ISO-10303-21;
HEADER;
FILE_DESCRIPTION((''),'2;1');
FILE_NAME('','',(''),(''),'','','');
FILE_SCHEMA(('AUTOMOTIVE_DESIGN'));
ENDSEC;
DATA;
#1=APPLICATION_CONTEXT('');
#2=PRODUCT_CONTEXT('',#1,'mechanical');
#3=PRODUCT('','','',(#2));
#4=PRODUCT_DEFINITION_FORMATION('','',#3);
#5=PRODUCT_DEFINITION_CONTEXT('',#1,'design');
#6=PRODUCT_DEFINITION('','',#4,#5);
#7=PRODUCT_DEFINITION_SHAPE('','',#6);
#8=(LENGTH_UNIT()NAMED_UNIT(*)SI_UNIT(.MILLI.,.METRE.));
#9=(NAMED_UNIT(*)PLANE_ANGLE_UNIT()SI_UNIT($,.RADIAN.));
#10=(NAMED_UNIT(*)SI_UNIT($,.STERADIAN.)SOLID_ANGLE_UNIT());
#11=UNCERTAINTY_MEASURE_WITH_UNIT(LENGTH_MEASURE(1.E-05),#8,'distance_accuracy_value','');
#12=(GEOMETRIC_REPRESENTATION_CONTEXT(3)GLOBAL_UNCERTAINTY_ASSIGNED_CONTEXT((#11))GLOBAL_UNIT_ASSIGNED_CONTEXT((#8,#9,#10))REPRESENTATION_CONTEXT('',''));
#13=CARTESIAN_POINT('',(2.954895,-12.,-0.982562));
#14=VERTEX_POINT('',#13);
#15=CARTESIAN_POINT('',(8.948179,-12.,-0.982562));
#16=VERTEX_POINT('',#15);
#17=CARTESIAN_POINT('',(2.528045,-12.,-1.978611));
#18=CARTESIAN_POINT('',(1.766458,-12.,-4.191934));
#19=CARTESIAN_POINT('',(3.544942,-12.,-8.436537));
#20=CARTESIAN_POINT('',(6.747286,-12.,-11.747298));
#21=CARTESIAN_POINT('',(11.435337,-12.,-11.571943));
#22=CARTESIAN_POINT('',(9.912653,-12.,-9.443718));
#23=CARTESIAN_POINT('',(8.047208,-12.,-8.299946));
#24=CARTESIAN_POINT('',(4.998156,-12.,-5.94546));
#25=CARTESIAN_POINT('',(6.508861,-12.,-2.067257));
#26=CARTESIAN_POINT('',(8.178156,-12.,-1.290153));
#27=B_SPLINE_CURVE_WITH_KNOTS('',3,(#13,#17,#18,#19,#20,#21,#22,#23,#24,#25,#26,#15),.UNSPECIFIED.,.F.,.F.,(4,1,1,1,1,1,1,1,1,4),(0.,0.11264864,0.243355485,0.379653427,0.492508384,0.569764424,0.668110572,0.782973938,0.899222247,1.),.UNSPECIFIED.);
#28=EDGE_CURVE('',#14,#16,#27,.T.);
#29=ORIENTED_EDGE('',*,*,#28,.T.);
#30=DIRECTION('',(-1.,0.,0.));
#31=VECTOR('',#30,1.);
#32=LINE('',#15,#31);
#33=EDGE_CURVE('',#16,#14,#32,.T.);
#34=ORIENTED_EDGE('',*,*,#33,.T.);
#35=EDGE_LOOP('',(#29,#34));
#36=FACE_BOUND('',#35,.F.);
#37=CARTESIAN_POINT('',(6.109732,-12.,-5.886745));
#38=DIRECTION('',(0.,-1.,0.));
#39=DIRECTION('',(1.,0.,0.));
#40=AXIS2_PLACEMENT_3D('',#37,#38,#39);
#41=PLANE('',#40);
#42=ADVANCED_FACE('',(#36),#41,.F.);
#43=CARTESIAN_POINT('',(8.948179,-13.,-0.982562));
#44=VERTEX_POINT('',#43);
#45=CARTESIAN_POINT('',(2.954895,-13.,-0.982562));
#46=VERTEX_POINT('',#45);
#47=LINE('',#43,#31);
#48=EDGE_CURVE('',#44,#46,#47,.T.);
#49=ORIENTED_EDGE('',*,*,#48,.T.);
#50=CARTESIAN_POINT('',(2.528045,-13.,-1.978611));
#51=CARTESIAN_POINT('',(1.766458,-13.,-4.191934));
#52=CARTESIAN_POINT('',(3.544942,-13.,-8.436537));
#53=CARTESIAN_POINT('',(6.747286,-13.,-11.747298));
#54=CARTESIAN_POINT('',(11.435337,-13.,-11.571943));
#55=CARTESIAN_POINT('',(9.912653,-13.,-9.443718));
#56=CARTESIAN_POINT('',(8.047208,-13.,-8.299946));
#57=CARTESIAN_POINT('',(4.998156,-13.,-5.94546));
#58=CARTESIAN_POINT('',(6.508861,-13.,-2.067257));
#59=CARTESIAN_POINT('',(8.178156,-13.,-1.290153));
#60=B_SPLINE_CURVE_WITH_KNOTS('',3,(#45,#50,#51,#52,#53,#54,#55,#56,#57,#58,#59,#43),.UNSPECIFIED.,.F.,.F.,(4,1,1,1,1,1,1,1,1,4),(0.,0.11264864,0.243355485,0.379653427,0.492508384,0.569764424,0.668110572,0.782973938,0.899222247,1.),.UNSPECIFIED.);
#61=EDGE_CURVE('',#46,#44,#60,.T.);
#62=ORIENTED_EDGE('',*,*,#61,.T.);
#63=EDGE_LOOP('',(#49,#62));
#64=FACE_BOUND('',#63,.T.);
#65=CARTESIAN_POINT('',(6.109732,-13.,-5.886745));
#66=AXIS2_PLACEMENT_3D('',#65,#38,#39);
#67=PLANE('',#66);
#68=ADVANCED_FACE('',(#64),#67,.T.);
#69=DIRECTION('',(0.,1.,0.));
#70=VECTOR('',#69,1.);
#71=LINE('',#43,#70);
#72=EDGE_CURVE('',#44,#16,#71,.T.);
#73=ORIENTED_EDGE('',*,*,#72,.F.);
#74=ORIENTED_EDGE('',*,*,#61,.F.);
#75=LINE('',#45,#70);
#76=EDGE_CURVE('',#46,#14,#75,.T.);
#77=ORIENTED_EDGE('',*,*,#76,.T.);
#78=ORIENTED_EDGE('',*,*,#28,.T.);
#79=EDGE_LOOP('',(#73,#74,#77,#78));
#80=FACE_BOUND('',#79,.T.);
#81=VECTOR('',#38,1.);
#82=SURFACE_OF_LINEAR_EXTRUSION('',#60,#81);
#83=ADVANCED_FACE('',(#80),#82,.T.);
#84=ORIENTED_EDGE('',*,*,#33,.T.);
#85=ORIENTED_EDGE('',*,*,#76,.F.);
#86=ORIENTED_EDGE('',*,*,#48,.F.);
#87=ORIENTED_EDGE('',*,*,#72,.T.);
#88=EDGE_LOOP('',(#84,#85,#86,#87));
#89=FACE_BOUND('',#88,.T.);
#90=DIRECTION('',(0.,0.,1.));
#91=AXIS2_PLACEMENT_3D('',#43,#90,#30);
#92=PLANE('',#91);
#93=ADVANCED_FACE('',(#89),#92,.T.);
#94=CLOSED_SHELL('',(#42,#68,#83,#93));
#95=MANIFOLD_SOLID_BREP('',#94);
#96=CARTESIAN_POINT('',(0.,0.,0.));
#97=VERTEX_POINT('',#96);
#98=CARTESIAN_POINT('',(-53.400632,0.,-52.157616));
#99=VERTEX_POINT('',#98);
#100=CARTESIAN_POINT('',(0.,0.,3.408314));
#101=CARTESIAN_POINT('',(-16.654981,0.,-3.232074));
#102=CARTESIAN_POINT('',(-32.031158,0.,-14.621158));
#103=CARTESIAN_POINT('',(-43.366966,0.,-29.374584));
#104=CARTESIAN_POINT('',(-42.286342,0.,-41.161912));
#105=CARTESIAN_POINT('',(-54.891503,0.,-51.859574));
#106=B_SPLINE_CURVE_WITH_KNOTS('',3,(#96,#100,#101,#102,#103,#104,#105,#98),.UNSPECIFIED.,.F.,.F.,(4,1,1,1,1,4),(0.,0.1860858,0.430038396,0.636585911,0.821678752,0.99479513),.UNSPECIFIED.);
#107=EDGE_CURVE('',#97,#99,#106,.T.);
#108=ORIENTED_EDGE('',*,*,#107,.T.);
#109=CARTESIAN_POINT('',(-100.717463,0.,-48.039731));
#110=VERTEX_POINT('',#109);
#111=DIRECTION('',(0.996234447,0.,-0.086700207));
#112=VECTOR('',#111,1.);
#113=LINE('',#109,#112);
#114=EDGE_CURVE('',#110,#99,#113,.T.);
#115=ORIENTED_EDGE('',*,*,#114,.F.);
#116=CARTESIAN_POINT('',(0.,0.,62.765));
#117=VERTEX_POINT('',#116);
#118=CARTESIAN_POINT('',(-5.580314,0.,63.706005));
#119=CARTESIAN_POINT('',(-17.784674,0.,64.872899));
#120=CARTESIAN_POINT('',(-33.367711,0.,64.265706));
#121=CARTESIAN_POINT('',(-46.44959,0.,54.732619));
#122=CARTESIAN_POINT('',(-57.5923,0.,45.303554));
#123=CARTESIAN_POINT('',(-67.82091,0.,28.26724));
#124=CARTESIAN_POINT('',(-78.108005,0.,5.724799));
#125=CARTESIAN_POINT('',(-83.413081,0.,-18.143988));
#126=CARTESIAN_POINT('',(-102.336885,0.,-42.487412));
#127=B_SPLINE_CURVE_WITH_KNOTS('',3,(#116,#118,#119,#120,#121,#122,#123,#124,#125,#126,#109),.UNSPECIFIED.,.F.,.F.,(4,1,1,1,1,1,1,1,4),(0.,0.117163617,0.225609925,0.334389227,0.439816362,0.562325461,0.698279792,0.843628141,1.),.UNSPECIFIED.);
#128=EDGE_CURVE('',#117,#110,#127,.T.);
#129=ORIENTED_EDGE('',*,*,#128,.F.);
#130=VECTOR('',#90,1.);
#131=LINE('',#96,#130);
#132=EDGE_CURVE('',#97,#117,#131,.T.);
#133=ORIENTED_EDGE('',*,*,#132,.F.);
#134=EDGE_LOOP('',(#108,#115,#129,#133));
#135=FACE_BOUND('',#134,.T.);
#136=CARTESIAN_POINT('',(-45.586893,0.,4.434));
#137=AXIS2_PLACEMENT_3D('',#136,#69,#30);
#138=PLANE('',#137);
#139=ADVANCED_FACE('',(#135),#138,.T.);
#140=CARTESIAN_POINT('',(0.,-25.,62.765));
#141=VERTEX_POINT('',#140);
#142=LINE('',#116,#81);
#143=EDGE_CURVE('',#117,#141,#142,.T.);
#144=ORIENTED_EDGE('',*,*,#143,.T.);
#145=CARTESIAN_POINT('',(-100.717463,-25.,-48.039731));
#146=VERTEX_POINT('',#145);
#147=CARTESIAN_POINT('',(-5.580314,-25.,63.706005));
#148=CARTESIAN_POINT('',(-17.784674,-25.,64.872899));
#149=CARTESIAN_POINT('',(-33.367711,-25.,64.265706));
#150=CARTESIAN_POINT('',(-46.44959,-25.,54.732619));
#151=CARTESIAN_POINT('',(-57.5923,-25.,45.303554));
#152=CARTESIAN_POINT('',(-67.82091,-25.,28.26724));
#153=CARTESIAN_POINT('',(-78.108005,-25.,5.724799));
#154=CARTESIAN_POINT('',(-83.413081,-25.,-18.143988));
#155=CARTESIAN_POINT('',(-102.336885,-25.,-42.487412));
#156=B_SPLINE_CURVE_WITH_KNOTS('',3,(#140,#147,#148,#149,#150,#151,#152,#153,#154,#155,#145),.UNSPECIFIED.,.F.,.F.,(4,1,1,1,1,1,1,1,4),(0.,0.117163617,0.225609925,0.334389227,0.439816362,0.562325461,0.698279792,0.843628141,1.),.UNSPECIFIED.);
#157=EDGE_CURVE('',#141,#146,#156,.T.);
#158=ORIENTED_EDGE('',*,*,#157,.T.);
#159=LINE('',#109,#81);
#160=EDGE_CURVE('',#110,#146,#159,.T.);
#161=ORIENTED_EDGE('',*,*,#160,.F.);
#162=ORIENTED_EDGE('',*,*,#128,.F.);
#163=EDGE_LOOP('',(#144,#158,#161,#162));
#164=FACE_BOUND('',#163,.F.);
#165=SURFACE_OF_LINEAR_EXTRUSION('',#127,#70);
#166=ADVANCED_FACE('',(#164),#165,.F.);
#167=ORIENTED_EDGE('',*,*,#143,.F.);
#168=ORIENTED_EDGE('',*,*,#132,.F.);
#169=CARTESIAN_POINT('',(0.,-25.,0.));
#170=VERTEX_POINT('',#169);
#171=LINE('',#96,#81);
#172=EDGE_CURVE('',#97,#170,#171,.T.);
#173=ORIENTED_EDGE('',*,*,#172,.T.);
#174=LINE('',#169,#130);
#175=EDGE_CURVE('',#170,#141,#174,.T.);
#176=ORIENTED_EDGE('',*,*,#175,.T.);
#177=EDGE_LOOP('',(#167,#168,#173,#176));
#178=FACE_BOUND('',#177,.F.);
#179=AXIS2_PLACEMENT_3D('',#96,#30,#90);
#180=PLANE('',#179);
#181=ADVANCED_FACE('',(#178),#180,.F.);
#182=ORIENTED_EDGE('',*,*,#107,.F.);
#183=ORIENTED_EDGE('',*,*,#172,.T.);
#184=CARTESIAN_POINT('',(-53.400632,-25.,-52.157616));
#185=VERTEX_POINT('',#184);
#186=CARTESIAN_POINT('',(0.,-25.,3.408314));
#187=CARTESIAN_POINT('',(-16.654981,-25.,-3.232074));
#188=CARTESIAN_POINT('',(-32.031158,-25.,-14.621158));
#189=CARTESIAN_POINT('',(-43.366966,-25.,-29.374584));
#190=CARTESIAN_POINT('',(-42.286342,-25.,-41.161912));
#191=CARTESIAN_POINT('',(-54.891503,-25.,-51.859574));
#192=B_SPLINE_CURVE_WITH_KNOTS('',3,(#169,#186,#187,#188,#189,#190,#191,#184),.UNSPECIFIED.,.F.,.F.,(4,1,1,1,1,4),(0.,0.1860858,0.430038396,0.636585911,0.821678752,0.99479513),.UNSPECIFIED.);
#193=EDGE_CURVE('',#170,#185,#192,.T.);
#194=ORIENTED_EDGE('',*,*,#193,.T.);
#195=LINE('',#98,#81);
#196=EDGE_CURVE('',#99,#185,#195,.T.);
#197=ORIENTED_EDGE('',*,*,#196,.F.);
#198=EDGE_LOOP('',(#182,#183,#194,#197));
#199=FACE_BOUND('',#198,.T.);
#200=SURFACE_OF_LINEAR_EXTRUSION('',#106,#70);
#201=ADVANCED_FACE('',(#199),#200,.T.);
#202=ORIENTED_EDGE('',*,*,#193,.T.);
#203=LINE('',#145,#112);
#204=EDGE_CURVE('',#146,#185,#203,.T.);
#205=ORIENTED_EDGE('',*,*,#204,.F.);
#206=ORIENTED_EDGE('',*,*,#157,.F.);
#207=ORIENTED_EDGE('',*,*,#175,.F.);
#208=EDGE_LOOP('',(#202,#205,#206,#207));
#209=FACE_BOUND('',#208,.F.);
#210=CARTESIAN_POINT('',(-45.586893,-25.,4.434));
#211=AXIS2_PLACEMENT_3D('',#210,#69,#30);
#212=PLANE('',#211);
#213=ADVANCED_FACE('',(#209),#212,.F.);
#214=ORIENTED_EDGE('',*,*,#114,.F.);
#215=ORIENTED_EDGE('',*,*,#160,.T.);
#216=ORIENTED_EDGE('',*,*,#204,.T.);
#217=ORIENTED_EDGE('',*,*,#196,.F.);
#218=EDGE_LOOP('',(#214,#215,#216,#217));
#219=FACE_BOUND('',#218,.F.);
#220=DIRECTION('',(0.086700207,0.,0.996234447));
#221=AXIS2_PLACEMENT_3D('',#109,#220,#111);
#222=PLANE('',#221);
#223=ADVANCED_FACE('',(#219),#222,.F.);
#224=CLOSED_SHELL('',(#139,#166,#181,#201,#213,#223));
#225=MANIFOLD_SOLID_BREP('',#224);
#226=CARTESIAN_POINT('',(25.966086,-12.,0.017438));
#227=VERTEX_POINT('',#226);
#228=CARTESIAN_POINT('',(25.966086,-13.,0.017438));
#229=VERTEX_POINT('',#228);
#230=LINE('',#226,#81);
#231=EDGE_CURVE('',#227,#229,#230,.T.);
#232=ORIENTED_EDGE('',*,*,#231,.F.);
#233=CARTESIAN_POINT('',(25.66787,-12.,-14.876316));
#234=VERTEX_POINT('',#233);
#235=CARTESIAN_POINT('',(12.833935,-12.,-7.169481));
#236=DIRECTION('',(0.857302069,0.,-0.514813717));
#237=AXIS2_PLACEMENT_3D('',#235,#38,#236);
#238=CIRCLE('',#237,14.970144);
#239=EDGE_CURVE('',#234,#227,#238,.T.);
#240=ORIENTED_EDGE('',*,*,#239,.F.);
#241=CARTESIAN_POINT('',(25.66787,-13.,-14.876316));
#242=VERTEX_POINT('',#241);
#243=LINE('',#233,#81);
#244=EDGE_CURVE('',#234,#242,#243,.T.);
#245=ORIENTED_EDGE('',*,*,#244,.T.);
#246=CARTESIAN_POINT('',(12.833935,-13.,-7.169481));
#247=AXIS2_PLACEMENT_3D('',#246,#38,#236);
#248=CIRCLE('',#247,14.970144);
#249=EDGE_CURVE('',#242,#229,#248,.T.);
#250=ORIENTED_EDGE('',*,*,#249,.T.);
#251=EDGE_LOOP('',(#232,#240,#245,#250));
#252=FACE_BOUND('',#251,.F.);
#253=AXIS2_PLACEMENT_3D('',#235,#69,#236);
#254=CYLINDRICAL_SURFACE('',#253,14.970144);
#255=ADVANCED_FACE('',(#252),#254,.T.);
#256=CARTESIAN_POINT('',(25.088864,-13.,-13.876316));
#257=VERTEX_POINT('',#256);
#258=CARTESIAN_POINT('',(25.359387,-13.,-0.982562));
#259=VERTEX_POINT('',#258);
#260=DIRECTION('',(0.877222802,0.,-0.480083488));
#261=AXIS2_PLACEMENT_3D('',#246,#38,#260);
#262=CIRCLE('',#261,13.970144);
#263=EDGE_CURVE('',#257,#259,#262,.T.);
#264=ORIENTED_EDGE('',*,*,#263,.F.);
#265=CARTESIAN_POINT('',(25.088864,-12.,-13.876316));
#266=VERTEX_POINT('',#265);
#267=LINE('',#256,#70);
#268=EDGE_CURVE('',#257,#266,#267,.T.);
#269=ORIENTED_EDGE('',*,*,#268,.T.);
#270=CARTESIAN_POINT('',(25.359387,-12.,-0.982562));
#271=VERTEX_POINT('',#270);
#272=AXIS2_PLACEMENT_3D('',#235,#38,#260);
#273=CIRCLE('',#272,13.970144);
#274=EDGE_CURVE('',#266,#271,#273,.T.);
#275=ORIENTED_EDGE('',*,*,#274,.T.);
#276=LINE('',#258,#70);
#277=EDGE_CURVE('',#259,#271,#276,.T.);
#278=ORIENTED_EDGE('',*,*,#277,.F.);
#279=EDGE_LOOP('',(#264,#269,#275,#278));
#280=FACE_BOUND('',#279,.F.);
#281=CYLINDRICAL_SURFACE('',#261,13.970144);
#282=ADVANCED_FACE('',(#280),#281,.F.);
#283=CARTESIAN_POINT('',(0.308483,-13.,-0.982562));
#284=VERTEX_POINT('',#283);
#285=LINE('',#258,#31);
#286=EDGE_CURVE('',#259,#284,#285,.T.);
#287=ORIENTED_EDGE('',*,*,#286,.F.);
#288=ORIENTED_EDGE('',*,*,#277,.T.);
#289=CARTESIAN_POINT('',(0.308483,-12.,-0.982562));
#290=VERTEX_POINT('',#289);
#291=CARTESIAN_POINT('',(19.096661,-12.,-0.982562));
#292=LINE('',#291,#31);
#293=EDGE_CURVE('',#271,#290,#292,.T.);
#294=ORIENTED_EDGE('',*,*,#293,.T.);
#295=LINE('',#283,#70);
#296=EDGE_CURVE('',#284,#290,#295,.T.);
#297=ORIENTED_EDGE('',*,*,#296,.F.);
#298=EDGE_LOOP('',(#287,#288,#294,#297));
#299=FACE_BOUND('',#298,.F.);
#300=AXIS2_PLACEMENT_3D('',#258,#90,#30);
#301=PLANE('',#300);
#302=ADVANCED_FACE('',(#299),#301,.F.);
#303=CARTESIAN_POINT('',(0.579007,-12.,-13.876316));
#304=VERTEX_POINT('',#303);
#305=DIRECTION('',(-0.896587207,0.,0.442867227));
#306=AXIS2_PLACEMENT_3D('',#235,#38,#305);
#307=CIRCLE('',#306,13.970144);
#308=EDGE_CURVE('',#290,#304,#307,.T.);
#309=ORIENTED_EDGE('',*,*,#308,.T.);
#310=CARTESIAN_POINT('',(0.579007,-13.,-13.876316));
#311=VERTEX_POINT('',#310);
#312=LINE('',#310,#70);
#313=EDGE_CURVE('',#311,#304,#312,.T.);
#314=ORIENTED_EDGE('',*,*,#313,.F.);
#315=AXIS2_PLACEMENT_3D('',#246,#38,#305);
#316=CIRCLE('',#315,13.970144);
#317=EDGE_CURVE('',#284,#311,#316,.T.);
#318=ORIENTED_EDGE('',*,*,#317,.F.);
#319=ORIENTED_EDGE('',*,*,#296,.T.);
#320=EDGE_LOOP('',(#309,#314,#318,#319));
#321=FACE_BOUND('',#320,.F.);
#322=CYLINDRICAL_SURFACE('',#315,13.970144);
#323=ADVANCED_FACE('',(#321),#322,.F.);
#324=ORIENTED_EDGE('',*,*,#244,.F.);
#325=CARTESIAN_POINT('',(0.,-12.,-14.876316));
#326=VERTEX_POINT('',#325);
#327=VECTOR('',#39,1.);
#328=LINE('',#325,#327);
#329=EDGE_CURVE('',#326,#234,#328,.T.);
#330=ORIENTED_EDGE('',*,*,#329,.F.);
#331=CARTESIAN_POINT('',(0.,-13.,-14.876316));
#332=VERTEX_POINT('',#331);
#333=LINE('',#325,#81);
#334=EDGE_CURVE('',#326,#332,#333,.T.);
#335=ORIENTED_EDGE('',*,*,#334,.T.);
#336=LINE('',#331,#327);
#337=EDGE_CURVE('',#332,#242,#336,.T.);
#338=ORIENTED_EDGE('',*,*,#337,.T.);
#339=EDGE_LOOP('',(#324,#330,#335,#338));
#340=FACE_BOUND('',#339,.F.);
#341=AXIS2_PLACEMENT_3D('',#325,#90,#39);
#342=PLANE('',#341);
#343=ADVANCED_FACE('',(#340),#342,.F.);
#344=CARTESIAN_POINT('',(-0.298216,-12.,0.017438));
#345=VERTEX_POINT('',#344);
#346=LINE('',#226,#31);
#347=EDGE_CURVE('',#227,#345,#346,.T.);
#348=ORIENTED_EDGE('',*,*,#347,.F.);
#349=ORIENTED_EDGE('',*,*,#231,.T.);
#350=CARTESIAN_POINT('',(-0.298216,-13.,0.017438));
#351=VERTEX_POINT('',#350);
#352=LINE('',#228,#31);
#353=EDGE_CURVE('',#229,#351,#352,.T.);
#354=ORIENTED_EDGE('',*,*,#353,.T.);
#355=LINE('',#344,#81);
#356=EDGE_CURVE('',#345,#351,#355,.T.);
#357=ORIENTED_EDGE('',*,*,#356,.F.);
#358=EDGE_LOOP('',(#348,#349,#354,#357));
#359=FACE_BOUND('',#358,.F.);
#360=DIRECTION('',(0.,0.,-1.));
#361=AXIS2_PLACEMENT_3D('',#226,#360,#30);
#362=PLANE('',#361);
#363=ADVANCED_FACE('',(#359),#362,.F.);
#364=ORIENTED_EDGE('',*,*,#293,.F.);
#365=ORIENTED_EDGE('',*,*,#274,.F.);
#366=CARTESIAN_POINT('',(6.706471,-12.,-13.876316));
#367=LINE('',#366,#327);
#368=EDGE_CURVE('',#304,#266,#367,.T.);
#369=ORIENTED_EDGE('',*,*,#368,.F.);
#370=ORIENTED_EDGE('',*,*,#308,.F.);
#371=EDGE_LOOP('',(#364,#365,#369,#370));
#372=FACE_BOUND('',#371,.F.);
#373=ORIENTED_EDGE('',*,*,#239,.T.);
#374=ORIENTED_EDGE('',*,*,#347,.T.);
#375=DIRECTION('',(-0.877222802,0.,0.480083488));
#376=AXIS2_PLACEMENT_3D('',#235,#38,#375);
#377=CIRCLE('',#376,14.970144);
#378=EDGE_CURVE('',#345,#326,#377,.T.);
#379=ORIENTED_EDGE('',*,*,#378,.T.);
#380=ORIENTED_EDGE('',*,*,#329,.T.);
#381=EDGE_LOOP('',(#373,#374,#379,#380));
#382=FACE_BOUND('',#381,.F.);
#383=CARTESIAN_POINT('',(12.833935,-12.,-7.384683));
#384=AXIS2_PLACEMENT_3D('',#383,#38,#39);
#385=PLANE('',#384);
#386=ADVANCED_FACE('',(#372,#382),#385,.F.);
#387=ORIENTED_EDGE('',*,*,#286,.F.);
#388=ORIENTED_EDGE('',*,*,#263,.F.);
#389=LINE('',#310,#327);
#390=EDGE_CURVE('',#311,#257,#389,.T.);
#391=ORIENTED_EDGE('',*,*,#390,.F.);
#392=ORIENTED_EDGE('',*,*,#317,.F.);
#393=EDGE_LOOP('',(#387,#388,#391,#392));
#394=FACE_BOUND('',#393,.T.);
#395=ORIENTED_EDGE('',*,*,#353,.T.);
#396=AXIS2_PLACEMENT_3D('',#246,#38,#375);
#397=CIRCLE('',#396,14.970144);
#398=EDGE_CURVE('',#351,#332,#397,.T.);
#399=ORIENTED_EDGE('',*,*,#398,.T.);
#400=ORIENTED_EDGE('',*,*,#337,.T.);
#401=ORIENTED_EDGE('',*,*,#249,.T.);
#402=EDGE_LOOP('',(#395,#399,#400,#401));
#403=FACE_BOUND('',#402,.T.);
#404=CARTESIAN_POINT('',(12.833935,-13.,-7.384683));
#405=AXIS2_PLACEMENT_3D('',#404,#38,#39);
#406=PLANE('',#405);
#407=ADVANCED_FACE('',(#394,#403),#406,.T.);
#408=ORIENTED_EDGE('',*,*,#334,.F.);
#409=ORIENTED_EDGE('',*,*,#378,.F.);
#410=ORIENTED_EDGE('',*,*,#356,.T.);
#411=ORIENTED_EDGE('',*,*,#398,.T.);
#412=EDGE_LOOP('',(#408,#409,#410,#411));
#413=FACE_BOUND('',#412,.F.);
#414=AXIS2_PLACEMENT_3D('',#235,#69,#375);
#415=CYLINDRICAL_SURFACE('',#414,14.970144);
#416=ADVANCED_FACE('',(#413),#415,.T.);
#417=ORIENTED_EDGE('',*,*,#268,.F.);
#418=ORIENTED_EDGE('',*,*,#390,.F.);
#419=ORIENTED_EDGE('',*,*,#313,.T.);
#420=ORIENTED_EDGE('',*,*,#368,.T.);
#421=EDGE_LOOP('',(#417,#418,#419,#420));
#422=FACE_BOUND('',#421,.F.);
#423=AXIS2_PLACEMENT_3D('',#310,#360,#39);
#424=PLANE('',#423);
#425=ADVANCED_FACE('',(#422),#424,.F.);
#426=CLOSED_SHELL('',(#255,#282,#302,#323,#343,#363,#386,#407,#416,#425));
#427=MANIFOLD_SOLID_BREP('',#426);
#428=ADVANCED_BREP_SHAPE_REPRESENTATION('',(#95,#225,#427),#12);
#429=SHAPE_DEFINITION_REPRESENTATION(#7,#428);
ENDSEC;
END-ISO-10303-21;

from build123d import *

# Parameters (mm, degrees)
F1_DEPTH = 25
F3_DEPTH = 1
F6_DEPTH = 13.0010001
F8_DEPTH = 1


with BuildPart() as f1:
    # F0 (on Front) → F1 (new body)
    with BuildSketch(Plane.XZ):
        with BuildLine():
            add(Edge.make_bspline(
                [(0, 0), (0, 3.4083144274), (-16.6549813741, -3.2320742065), (-32.0311581493, -14.6211575017), (-43.3669660673, -29.3745837617), (-42.2863415878, -41.1619123461), (-54.8915026972, -51.8595739448), (-53.4006319743, -52.1576157642)],
                knots=[0, 0, 0, 0, 0.1860858001, 0.4300383958, 0.6365859105, 0.8216787516, 0.9947951303, 0.9947951303, 0.9947951303, 0.9947951303], degree=3))
            Line((0, 0), (0, 62.765))
            add(Edge.make_bspline(
                [(0, 62.765), (-5.5803138545, 63.7060054226), (-17.7846741419, 64.8728993234), (-33.3677106974, 64.2657058885), (-46.4495900747, 54.7326189691), (-57.592300277, 45.3035539124), (-67.8209095657, 28.267240425), (-78.1080050837, 5.7247986196), (-83.4130805825, -18.1439880956), (-102.3368853739, -42.4874116283), (-100.7174625993, -48.0397306383)],
                knots=[0, 0, 0, 0, 0.1171636173, 0.2256099251, 0.3343892274, 0.4398163618, 0.5623254612, 0.6982797919, 0.8436281409, 1, 1, 1, 1], degree=3))
            Line((-100.7174625993, -48.0397306383), (-53.4006319743, -52.1576157642))
        make_face()
    extrude(amount=F1_DEPTH)


with BuildPart() as f3:
    # F2 (on Front) → F3 (new body)
    with BuildSketch(Plane.XZ):
        with BuildLine():
            Line((25.9660863789, 0.0174377142), (-0.2982162396, 0.0174377142))
            ThreePointArc((-0.2982162396, 0.0174377142), (-2.1332085332, -7.4691667501), (0, -14.8763163015))
            Line((0, -14.8763163015), (25.6678701393, -14.8763163015))
            ThreePointArc((25.6678701393, -14.8763163015), (27.8010786725, -7.4691667501), (25.9660863789, 0.0174377142))
        make_face()
    extrude(amount=F3_DEPTH)


with BuildPart() as f3_1:
    # F4: moved
    add(f3.part.moved(Location((0, -12, 0))))

    # F5 (on face) → F6 (cut, through all)
    with BuildSketch(Plane.XZ.offset(13)):
        with BuildLine():
            Line((0.5790065625, -13.8763163015), (25.0888635768, -13.8763163015))
            ThreePointArc((25.0888635768, -13.8763163015), (26.8010048388, -7.4625237611), (25.3593870907, -0.9825622858))
            Line((25.3593870907, -0.9825622858), (0.3084830487, -0.9825622858))
            ThreePointArc((0.3084830487, -0.9825622858), (-1.1331346994, -7.4625237611), (0.5790065625, -13.8763163015))
        make_face()
    extrude(amount=-F6_DEPTH, mode=Mode.SUBTRACT)


with BuildPart() as f8:
    # F7 (on face) → F8 (new body)
    with BuildSketch(Plane.XZ.offset(13)):
        with BuildLine():
            Line((8.9481789619, -0.9825622858), (2.9548949096, -0.9825622858))
            add(Edge.make_bspline(
                [(2.9548949096, -0.9825622858), (2.5280445902, -1.9786113454), (1.7664584568, -4.1919341723), (3.5449416563, -8.4365367966), (6.7472864505, -11.7472984064), (11.4353371147, -11.5719426774), (9.9126533497, -9.4437177641), (8.0472075098, -8.2999458011), (4.9981559546, -5.9454601786), (6.5088606114, -2.0672568949), (8.1781559475, -1.2901534359), (8.9481789619, -0.9825622858)],
                knots=[0, 0, 0, 0, 0.1126486397, 0.2433554846, 0.379653427, 0.4925083836, 0.5697644239, 0.6681105723, 0.7829739383, 0.8992222474, 1, 1, 1, 1], degree=3))
        make_face()
    extrude(amount=-F8_DEPTH)


solid = Compound([f1.part, f3_1.part, f8.part])
